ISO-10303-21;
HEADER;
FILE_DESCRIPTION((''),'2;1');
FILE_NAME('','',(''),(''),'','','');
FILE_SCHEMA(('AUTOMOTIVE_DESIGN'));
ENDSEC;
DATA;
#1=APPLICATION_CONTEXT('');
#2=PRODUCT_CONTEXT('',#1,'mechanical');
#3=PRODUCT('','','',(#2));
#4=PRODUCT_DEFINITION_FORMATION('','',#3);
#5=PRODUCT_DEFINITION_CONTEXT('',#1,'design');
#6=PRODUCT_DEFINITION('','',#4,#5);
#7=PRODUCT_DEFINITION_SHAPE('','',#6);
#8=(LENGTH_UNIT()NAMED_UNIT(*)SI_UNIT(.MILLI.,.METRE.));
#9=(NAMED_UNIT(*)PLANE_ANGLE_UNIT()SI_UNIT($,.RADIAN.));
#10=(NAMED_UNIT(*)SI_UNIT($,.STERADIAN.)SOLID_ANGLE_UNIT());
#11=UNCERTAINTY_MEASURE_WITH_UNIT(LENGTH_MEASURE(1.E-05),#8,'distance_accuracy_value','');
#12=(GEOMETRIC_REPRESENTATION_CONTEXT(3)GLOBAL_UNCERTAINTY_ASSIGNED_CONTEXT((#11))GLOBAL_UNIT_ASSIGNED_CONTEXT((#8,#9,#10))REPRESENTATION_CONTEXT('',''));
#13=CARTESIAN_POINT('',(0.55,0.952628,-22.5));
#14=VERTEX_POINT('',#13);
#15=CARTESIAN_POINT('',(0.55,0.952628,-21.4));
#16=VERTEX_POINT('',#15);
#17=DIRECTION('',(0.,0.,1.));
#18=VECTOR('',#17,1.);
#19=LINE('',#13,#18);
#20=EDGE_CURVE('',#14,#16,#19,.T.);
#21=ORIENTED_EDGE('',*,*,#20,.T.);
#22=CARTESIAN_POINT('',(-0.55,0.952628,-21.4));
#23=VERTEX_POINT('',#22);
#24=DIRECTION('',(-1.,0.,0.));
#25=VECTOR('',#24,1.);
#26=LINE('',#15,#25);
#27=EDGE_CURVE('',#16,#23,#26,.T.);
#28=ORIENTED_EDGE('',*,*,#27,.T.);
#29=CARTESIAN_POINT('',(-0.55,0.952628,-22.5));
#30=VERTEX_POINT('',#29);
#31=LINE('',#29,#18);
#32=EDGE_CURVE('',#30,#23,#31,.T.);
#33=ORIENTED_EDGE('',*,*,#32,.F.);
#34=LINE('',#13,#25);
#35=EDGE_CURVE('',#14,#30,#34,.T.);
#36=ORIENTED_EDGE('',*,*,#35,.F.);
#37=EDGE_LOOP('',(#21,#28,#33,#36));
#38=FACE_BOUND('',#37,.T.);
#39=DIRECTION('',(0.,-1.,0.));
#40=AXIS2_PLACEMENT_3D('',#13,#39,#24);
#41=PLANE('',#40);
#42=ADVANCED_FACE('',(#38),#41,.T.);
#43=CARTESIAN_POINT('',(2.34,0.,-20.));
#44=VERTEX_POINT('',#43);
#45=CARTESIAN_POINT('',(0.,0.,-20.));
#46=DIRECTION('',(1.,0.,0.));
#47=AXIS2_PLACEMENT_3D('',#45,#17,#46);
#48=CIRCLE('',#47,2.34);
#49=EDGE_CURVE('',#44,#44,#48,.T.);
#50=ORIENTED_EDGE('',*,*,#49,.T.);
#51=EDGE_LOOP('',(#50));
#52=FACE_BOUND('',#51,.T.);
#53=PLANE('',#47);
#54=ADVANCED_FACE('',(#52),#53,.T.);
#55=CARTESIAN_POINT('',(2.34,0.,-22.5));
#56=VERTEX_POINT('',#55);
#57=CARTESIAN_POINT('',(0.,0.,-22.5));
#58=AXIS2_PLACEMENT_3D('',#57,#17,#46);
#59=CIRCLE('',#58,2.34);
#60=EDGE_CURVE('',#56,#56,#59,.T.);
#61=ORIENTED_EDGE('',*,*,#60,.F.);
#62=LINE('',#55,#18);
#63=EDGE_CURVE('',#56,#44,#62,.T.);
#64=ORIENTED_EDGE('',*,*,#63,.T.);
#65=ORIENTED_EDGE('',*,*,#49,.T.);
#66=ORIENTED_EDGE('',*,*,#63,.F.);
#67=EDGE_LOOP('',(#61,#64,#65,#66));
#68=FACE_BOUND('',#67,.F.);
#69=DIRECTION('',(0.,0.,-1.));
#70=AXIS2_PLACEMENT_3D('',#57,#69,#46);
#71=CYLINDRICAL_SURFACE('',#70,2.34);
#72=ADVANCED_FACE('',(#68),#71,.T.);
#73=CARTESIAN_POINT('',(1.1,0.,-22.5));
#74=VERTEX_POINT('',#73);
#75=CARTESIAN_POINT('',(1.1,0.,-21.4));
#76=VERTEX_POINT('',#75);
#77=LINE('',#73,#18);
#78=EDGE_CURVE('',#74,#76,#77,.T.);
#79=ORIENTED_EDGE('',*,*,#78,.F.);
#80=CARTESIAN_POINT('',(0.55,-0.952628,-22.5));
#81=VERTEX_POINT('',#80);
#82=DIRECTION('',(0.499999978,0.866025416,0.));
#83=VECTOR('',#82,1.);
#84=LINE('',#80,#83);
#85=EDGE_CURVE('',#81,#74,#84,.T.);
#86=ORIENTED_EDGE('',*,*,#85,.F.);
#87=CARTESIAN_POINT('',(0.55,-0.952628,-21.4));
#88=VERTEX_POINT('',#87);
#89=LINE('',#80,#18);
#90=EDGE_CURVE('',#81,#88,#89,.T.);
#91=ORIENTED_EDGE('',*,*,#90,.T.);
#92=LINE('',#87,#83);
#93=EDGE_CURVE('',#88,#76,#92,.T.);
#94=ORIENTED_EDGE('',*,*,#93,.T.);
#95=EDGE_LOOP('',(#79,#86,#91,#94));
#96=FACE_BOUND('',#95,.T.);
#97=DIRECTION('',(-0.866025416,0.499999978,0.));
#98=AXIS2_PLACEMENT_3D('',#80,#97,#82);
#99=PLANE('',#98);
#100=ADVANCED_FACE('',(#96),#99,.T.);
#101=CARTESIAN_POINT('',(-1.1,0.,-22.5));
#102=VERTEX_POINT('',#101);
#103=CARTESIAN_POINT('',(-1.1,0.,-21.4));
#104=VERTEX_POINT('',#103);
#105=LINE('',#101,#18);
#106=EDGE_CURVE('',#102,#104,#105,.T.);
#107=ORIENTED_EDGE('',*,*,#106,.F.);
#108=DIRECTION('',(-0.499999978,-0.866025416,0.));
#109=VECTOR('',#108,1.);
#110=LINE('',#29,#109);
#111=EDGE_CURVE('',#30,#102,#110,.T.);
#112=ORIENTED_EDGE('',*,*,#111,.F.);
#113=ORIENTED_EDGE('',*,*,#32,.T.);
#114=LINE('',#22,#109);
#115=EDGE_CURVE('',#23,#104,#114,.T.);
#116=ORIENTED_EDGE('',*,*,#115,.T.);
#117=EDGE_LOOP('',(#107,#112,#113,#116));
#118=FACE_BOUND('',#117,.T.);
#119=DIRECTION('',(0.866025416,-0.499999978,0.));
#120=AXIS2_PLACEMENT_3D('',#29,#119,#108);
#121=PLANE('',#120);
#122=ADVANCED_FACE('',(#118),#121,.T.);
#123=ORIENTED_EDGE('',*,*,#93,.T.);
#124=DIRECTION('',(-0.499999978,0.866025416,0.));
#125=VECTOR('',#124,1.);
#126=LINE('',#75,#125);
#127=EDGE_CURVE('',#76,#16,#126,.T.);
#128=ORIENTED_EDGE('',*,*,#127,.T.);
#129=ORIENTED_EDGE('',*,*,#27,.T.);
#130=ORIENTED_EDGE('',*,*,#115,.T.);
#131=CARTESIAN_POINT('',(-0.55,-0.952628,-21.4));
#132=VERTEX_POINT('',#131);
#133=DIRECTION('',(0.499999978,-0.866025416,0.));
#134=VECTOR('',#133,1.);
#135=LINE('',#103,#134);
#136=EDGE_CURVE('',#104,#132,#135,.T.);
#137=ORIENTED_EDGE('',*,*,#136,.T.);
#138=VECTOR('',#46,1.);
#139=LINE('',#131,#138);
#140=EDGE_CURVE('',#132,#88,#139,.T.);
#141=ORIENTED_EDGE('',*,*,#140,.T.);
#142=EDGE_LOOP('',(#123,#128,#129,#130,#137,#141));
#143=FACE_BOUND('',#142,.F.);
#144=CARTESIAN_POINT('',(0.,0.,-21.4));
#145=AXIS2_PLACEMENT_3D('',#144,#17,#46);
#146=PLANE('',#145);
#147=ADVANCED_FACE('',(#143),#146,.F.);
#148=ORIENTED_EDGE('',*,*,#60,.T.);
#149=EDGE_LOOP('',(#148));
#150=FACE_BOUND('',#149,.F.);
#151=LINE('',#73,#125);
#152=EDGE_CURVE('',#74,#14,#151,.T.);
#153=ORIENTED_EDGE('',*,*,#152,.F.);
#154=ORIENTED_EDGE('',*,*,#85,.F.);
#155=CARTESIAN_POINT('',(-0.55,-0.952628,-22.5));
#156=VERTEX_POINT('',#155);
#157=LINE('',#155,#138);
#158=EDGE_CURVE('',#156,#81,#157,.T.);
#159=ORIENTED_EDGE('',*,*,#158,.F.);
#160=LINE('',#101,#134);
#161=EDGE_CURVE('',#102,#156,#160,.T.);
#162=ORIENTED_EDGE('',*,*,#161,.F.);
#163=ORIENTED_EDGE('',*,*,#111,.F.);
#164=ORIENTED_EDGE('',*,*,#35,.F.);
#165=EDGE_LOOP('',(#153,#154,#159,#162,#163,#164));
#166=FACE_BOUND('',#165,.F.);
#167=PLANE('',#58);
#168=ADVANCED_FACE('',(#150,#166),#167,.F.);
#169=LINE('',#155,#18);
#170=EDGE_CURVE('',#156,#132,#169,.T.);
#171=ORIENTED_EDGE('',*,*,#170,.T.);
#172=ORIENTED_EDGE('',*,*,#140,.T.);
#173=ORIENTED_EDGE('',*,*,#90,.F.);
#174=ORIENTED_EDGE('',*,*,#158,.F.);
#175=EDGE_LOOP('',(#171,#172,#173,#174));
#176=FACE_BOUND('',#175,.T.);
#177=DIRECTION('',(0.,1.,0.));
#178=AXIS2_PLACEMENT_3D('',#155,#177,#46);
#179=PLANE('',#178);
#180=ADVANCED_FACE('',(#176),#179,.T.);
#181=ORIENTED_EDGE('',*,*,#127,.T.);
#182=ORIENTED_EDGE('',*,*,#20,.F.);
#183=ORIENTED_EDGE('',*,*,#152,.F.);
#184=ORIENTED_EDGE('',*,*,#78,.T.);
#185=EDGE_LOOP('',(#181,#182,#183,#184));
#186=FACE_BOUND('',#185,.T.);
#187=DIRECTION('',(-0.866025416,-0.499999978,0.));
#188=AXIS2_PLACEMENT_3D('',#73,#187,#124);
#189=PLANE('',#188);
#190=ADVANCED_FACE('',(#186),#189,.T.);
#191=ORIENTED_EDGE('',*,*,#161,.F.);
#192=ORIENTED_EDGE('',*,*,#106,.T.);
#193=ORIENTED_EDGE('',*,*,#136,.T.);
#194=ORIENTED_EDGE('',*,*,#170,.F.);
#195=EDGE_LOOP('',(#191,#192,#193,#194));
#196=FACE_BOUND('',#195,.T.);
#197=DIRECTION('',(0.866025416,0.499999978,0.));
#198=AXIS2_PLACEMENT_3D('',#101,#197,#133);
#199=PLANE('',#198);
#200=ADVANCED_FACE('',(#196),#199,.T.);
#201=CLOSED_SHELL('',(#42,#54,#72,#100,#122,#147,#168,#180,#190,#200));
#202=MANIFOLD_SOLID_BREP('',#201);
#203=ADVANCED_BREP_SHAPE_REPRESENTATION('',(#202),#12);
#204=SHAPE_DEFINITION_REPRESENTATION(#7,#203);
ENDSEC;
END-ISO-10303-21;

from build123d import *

# Parameters (mm, degrees)
PRISM014_DEPTH    = 1.1
CYLINDER068_R     = 2.34
CYLINDER068_DEPTH = 2.5


with BuildPart() as prism014:
    # Prism014 → Prism014 (new body)
    with BuildSketch(Plane.XY.offset(-23)):
        Polygon((1.1, 0), (0.55, 0.952628), (-0.55, 0.952628), (-1.1, 0), (-0.55, -0.952628), (0.55, -0.952628), align=None)
    extrude(amount=PRISM014_DEPTH)


with BuildPart() as cut060:
    # Cylinder068 → Cylinder068 (new body)
    with BuildSketch(Plane.XY.offset(-23)):
        Circle(CYLINDER068_R)
    extrude(amount=CYLINDER068_DEPTH)

    # Cut060: cut Prism014
    add(prism014.part, mode=Mode.SUBTRACT)


with BuildPart() as cut060_1:
    # Cut060 placement: moved
    add(cut060.part.moved(Location((0, 0, 0.5))))


solid = cut060_1.part
